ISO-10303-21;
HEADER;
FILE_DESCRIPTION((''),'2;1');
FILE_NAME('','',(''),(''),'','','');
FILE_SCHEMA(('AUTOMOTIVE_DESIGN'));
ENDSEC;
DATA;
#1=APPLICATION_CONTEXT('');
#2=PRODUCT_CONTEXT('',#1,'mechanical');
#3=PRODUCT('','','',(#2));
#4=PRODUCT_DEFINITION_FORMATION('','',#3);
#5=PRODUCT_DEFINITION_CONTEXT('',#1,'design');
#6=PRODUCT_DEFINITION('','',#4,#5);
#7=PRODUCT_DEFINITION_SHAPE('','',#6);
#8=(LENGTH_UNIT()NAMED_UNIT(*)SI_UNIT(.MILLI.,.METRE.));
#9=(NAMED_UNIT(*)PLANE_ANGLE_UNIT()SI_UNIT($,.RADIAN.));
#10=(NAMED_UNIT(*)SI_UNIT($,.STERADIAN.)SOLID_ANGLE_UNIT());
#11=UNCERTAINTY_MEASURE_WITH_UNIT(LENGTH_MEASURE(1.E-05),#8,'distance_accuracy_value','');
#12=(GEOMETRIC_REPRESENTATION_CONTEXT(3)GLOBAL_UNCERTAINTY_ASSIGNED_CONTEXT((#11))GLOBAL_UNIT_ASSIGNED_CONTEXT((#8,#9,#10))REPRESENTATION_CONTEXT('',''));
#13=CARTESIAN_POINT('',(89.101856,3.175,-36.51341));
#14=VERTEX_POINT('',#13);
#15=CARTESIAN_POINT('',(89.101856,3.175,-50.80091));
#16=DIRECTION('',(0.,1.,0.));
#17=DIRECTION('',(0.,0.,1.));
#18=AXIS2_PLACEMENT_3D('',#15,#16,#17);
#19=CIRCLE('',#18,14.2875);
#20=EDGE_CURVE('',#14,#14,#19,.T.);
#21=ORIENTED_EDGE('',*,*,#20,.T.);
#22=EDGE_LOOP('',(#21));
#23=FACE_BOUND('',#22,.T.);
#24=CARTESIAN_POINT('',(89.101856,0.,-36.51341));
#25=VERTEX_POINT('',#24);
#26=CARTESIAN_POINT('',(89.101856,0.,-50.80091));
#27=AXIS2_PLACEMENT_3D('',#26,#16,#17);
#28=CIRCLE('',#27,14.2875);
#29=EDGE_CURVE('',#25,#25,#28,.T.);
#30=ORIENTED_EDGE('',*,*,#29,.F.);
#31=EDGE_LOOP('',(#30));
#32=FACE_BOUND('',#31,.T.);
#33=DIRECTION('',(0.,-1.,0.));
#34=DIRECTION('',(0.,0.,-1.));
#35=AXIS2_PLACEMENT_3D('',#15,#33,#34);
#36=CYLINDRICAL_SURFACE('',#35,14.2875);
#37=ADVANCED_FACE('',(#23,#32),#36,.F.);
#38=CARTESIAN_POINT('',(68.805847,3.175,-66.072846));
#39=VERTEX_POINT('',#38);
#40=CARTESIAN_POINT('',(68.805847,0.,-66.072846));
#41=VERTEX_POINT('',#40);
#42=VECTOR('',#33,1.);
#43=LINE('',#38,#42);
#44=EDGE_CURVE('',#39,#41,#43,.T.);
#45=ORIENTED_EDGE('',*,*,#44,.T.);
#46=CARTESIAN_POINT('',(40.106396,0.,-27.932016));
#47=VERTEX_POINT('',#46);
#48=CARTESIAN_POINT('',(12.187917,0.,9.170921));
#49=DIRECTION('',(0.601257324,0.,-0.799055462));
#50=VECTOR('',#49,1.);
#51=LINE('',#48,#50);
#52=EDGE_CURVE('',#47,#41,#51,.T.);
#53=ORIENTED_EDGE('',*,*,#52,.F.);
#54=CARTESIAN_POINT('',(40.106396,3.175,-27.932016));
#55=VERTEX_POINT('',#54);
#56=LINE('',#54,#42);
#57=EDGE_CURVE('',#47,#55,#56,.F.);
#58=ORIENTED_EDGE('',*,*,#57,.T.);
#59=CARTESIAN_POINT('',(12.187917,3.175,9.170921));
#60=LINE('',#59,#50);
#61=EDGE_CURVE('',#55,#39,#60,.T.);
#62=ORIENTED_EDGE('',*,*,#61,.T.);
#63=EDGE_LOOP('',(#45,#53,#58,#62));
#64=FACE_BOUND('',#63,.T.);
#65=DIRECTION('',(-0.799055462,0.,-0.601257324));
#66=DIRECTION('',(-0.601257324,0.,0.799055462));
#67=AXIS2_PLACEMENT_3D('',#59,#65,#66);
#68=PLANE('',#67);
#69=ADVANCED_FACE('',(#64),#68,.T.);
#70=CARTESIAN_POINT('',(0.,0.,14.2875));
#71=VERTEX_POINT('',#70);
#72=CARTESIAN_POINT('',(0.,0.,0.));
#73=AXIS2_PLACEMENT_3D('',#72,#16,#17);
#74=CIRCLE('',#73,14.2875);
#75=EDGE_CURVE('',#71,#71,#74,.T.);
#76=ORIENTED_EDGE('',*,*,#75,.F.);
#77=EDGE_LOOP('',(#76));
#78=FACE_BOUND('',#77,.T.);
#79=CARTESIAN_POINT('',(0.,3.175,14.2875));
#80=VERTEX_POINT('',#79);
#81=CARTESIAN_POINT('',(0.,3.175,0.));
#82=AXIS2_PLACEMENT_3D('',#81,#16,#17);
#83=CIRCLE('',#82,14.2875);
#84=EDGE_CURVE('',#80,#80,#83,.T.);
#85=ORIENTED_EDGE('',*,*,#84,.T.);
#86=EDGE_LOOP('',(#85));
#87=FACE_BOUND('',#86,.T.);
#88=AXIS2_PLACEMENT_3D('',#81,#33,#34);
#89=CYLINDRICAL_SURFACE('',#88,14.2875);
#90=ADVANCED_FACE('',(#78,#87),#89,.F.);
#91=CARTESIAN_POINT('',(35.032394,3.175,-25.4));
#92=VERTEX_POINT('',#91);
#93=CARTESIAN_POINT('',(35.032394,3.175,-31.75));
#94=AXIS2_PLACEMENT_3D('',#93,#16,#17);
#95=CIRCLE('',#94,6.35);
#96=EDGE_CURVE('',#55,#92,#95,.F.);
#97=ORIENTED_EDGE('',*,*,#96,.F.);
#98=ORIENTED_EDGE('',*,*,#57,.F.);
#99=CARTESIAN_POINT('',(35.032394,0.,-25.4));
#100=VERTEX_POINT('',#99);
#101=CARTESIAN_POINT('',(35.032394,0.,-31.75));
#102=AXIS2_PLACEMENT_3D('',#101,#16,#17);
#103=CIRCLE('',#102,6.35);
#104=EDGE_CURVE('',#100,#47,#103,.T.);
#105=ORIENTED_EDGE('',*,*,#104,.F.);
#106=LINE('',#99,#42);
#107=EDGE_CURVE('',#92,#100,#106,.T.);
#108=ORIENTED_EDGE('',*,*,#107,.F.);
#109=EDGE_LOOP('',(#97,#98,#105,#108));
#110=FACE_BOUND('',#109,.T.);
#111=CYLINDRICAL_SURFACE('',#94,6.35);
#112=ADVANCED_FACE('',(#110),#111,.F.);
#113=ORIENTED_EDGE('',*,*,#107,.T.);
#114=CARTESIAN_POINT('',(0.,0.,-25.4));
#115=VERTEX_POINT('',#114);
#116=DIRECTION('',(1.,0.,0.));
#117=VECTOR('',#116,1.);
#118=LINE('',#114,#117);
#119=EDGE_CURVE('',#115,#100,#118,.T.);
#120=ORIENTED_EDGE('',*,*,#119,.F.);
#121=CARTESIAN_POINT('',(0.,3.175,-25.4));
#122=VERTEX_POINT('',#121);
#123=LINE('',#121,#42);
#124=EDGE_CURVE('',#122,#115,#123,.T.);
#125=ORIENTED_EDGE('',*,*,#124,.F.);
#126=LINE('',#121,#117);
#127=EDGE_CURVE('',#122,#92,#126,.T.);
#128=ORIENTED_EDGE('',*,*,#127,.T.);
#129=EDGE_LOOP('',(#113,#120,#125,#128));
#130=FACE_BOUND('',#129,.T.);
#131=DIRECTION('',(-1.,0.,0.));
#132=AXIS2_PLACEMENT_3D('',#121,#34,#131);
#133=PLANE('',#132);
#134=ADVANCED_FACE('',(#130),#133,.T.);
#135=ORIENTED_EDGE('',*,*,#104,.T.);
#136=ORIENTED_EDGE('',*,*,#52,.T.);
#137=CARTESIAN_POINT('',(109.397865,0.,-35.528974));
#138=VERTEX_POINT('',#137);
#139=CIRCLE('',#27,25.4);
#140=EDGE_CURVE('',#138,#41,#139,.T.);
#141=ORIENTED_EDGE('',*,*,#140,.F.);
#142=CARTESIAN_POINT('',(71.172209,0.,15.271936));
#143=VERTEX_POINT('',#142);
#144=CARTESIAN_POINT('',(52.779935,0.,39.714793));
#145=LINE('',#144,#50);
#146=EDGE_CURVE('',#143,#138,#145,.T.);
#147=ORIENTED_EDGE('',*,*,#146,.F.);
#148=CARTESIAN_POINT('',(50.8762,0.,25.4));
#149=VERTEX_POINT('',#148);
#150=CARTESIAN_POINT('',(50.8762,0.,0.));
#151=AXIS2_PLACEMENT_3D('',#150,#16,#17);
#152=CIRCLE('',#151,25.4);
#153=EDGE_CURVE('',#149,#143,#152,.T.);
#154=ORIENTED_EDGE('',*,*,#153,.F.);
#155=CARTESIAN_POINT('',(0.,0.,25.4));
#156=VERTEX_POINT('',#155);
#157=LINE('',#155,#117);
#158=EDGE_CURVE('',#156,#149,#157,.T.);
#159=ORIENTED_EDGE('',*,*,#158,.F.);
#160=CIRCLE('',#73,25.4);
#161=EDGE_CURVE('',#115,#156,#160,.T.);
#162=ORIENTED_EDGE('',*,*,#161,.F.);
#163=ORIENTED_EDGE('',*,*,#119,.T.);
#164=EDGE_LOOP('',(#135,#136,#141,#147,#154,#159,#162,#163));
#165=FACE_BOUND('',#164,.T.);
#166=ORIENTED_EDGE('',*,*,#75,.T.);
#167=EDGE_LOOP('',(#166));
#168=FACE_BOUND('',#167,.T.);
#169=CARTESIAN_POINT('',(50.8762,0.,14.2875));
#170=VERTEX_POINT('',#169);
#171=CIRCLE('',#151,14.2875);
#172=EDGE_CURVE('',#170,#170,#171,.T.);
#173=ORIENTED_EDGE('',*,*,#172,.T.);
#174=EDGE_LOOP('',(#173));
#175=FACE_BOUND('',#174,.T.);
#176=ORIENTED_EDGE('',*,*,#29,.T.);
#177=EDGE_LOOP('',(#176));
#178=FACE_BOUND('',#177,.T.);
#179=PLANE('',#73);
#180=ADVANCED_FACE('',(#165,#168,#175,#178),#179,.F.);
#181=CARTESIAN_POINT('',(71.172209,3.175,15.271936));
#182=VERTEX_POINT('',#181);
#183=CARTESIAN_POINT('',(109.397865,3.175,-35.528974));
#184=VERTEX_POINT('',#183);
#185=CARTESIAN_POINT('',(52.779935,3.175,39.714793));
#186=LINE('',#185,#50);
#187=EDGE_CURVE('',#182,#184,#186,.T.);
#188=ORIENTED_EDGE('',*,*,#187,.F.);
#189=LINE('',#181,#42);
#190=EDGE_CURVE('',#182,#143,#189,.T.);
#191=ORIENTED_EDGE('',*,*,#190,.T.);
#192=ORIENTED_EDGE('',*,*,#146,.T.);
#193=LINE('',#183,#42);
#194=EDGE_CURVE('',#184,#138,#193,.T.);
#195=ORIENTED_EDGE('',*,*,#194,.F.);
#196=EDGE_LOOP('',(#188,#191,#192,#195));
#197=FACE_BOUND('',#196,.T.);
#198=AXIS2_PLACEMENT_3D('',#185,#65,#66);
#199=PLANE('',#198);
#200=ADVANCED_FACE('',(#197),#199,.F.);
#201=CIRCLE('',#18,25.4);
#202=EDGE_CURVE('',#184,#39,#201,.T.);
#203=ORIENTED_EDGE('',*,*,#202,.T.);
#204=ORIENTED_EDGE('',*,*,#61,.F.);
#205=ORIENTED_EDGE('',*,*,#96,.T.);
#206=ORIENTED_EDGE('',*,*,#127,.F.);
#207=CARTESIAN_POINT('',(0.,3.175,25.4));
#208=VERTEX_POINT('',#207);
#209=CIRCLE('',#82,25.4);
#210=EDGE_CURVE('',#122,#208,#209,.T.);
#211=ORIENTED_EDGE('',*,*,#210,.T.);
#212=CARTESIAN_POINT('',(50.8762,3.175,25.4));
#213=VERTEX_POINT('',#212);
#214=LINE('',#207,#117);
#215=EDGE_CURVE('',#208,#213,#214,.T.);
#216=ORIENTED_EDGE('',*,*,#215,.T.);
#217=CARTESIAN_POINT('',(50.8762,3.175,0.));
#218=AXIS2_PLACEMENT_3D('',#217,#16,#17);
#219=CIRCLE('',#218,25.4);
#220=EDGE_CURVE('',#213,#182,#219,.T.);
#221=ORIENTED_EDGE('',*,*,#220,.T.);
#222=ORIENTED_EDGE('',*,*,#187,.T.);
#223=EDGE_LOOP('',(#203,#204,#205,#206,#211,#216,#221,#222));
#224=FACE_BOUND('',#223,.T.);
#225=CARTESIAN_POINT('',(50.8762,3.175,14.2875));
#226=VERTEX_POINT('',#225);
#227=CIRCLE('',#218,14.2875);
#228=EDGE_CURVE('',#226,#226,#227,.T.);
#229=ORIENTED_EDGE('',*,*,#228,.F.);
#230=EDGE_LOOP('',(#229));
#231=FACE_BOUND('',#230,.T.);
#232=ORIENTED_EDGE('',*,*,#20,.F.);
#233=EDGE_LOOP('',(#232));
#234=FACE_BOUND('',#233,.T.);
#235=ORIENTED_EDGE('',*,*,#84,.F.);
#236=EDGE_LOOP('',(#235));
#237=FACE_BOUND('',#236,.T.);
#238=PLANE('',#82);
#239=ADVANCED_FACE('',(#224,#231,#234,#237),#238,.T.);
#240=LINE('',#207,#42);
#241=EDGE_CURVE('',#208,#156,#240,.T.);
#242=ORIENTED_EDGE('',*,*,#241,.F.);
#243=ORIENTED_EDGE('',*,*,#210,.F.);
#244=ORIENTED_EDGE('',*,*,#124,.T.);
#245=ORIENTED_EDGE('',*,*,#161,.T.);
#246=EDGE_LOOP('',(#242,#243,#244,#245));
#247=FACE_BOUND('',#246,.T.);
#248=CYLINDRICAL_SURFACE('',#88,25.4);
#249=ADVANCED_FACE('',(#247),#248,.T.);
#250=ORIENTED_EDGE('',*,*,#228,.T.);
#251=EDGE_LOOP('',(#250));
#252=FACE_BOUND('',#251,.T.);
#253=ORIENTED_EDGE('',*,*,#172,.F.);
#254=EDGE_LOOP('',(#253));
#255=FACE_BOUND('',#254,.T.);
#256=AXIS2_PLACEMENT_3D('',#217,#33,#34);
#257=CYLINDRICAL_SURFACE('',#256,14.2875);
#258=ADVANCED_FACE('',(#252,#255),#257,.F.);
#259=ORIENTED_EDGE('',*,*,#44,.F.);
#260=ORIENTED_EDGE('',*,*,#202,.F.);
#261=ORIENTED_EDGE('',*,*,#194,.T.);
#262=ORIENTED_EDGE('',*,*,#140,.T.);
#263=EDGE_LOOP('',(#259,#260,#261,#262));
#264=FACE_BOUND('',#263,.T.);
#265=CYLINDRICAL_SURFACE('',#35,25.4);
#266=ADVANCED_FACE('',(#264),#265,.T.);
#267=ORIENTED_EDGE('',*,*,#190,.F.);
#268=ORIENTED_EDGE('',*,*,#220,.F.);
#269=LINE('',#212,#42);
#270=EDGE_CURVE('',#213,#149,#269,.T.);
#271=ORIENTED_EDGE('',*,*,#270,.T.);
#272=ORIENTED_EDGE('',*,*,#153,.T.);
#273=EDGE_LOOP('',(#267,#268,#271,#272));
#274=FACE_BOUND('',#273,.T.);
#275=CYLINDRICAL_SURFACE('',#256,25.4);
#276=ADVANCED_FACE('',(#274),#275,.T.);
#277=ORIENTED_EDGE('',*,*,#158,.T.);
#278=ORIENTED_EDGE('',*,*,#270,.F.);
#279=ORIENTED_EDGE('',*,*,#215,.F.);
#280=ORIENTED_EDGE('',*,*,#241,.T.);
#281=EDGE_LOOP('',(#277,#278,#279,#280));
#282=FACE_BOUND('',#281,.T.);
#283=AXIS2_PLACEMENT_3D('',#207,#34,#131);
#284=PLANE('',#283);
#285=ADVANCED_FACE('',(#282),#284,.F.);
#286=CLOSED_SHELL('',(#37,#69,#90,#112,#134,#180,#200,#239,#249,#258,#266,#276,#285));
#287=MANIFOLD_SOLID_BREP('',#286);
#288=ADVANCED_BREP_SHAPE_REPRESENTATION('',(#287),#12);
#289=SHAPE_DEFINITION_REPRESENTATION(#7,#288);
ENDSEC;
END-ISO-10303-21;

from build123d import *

# Parameters (mm, degrees)
SKETCH1_R           = 14.2875
BOSS_EXTRUDE1_DEPTH = 3.175
FILLET2_R           = 6.35


with BuildPart() as part:
    # Sketch1 → Boss-Extrude1 (new body)
    with BuildSketch(Plane(origin=(0, 0, 0), x_dir=(1, 0, 0), z_dir=(0, 1, 0))):
        with BuildLine():
            Line((71.172208723, -15.271936024), (109.397864591, 35.52897381))
            ThreePointArc((109.397864591, 35.52897381), (104.373791891, 71.096918557), (68.805847145, 66.072845858))
            Line((68.805847145, 66.072845858), (38.201154945, 25.4))
            Line((38.201154945, 25.4), (0, 25.4))
            ThreePointArc((0, 25.4), (-25.4, 0), (0, -25.4))
            Line((0, -25.4), (50.8762, -25.4))
            ThreePointArc((50.8762, -25.4), (62.217558494, -22.727375288), (71.172208723, -15.271936024))
        make_face()
        with Locations(Location((89.101855868, 50.800909834, 0), (0, 0, 270))):
            Circle(SKETCH1_R, mode=Mode.SUBTRACT)
        with Locations(Location((50.8762, 0, 0), (0, 0, 270))):
            Circle(SKETCH1_R, mode=Mode.SUBTRACT)
        with Locations(Location((0, 0, 0), (0, 0, 270))):
            Circle(SKETCH1_R, mode=Mode.SUBTRACT)
    extrude(amount=BOSS_EXTRUDE1_DEPTH)

    # Fillet2
    fillet2_edges = [part.edges().sort_by_distance(p)[0] for p in [
        (38.201154945, 1.5875, -25.4),
    ]]
    fillet(fillet2_edges, radius=FILLET2_R)


solid = part.part
